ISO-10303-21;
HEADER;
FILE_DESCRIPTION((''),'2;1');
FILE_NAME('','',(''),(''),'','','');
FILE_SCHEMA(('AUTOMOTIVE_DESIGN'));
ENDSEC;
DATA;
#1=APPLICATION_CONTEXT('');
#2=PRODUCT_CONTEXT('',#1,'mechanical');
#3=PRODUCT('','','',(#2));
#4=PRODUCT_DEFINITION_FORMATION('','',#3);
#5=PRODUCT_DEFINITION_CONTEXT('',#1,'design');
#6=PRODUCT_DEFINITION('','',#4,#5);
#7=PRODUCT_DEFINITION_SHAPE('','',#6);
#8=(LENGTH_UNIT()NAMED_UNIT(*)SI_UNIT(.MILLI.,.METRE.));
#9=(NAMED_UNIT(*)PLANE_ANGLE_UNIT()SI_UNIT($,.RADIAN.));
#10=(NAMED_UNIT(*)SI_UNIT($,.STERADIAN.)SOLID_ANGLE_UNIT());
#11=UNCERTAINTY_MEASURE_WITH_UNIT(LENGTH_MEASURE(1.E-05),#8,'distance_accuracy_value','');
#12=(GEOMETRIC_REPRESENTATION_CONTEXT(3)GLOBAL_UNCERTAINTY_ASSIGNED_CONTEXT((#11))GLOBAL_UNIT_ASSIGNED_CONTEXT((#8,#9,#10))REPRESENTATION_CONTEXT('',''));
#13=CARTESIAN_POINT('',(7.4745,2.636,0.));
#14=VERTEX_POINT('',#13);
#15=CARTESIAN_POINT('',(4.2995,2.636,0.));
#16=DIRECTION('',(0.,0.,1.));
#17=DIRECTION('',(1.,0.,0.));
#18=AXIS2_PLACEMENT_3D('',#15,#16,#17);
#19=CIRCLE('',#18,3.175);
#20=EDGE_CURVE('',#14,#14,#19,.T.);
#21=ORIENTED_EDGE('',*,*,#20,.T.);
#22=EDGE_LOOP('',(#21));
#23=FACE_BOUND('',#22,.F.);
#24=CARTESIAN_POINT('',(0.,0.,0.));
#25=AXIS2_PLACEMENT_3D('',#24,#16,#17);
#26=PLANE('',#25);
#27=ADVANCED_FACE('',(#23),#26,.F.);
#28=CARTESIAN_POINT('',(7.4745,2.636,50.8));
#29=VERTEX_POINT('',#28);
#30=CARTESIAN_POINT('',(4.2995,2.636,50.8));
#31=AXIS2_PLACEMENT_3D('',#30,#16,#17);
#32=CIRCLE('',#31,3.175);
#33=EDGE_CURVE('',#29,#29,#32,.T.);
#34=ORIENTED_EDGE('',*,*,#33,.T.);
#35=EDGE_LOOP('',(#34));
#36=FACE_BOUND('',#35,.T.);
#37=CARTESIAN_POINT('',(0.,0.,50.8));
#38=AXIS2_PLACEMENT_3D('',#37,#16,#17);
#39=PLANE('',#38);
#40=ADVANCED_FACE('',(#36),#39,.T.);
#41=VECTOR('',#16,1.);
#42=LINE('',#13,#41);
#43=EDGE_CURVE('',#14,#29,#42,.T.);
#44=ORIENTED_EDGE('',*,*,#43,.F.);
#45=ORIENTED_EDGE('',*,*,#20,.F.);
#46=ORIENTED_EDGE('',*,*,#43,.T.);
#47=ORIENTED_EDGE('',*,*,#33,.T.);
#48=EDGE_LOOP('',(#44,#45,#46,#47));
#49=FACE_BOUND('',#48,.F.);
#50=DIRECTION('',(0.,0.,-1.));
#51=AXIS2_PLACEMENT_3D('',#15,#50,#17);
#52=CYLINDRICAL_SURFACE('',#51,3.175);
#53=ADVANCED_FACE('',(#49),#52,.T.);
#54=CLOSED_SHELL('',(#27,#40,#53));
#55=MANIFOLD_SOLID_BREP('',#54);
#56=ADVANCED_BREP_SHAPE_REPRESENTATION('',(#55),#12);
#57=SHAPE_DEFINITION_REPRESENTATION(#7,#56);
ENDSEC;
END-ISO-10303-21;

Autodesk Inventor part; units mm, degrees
ref_plane "YZ Plane" through (0, 0, 0) normal (1, 0, 0) x (0, 1, 0)
ref_plane "XZ Plane" through (0, 0, 0) normal (0, 1, 0) x (-1, 0, 0)
ref_plane "XY Plane" through (0, 0, 0) normal (0, 0, 1) x (1, 0, 0)
sketch "Sketch1" plane through (0, 0, 0) normal (0, 0, 1) x (1, 0, 0)
  circle A0 centre (4.2995, 2.636) radius 3.175
  point P0 (0, 0)
  dimension "d0" = 6.35
  dimension "d0" = 6.35
extrude "Extrusion1" add sketch "Sketch1" along normal blind 50.8
